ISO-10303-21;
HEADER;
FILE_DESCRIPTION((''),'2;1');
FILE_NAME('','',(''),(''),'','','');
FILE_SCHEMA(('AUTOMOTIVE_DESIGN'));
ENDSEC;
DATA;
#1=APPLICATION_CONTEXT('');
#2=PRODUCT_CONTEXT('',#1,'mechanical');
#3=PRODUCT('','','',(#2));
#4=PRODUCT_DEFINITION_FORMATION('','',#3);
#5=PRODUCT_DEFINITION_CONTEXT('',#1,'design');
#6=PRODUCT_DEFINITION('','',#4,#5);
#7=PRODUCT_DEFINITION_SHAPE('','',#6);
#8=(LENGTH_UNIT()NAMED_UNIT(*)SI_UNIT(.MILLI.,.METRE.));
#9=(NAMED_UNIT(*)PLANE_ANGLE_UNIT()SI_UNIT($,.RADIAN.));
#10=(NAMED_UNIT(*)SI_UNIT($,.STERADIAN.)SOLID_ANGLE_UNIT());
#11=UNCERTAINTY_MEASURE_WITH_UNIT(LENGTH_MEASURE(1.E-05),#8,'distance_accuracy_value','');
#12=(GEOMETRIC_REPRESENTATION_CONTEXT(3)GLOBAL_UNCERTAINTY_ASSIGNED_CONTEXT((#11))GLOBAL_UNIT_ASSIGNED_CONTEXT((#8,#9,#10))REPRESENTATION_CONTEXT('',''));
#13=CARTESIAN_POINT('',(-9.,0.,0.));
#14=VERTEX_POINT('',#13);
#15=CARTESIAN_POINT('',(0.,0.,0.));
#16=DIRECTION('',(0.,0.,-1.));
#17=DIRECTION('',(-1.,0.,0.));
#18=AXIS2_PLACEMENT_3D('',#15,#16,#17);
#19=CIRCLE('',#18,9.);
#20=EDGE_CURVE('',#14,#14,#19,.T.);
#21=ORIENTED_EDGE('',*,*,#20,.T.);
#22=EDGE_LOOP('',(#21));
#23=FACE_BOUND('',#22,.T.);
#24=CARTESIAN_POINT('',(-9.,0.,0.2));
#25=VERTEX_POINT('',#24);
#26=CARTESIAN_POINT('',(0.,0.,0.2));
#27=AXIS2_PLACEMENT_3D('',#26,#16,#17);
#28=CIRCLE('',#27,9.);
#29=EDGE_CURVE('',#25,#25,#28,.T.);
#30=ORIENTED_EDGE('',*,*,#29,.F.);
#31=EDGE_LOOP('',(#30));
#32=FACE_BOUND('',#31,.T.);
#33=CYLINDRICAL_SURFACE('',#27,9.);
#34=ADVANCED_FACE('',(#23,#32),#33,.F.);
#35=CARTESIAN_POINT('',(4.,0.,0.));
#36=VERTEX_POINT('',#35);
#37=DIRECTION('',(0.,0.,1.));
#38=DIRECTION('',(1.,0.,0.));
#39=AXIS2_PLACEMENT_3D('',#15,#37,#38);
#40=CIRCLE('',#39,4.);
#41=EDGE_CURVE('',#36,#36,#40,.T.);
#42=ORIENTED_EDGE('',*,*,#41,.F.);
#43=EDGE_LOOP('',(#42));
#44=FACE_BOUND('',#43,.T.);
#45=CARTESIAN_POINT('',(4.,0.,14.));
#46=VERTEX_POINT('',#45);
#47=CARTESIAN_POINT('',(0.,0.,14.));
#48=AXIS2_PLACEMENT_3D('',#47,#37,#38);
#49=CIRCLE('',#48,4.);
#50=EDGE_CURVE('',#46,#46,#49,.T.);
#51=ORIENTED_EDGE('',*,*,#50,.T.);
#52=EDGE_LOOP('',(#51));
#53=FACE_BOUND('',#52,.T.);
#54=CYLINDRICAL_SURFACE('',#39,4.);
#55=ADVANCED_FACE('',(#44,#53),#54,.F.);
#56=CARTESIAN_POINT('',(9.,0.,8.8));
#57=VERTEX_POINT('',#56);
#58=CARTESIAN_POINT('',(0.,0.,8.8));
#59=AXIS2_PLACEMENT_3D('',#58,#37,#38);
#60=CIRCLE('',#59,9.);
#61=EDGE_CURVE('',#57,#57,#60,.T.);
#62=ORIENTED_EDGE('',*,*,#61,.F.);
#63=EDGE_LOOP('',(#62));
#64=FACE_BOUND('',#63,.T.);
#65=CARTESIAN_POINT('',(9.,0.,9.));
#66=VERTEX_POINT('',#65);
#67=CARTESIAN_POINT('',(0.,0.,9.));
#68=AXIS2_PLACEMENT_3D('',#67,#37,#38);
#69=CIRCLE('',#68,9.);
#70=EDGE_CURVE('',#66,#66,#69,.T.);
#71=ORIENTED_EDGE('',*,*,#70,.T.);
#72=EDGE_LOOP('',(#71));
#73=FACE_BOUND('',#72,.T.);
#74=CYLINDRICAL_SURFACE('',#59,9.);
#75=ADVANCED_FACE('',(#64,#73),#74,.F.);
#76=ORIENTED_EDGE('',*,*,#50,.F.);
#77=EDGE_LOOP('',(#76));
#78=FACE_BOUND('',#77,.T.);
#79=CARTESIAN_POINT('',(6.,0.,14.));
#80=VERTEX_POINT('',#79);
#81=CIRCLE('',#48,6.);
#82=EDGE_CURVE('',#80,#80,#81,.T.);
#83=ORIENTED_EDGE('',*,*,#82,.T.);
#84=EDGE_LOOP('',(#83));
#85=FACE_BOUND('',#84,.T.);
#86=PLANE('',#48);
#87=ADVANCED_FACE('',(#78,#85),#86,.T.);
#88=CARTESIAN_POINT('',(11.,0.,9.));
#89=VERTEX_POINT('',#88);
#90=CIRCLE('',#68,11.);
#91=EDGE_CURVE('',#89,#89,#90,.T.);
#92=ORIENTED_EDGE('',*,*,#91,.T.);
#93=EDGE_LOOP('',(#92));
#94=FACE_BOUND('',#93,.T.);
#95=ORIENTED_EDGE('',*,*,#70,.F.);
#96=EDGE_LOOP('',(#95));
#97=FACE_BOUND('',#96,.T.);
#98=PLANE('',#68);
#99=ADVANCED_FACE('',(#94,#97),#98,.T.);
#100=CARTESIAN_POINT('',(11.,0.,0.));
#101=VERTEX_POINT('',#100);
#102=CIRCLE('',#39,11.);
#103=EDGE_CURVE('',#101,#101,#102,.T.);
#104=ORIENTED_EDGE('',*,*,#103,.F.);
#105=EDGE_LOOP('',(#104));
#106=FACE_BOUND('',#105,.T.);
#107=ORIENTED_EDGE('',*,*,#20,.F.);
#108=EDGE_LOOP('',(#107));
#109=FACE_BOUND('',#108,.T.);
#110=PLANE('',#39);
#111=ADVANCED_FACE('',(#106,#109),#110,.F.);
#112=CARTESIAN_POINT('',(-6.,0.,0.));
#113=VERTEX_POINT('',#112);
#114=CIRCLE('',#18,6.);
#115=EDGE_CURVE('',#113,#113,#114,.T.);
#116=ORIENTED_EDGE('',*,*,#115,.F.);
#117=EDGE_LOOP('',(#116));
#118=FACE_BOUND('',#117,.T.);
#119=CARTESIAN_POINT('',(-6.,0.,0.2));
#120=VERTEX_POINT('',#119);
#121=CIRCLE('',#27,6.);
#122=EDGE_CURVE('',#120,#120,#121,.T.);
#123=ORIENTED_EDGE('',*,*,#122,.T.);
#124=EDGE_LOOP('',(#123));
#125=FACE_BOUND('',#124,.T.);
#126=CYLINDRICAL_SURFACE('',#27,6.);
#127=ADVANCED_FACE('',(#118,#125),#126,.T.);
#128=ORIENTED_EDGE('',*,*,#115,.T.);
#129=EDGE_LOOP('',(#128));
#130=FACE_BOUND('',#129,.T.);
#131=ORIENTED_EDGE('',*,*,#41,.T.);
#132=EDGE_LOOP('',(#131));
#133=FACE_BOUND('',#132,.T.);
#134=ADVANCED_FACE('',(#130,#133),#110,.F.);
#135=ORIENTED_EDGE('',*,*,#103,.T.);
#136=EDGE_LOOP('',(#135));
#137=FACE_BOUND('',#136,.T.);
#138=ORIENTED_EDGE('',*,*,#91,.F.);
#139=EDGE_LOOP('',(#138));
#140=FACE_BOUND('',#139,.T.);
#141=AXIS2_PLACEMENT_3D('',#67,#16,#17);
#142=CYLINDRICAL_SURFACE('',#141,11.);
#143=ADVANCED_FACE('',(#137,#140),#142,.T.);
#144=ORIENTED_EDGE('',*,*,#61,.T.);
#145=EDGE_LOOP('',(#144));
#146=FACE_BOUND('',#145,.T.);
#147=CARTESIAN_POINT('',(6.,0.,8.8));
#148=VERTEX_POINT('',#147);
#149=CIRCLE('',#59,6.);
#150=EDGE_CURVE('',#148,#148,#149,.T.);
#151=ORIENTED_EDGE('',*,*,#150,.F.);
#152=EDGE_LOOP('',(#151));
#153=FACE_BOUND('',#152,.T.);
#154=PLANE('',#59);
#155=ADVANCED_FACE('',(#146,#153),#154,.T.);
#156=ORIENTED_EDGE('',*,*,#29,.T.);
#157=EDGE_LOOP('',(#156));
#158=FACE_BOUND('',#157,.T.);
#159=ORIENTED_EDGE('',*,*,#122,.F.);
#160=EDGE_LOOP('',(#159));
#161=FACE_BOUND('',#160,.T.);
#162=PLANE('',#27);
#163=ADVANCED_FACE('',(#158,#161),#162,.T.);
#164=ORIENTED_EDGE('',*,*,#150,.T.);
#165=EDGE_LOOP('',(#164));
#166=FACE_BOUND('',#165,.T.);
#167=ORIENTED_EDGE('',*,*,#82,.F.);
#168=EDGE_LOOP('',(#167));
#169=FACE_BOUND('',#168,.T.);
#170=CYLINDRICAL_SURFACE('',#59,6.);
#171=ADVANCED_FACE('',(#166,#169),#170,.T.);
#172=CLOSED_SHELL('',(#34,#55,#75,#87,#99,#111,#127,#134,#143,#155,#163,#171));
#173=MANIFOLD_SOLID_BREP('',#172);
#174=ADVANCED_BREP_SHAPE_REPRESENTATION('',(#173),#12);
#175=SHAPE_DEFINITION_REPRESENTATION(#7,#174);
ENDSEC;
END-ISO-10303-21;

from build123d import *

# Parameters (mm, degrees)
SKETCH1_R           = 11
BOSS_EXTRUDE1_DEPTH = 9
SKETCH2_R           = 4
CUT_EXTRUDE1_DEPTH  = 10
SKETCH3_R           = 9
SKETCH3_R_2         = 6
CUT_EXTRUDE2_DEPTH  = 0.2
SKETCH4_R           = 9
SKETCH4_R_2         = 6
CUT_EXTRUDE3_DEPTH  = 0.2
SKETCH5_R           = 6
SKETCH5_R_2         = 4
BOSS_EXTRUDE2_DEPTH = 5


with BuildPart() as part:
    # Sketch1 → Boss-Extrude1 (new body)
    with BuildSketch(Plane.XY):
        Circle(SKETCH1_R)
    extrude(amount=BOSS_EXTRUDE1_DEPTH)

    # Sketch2 → Cut-Extrude1 (cut, through all)
    with BuildSketch(Plane.XY.offset(9)):
        Circle(SKETCH2_R)
    extrude(amount=-CUT_EXTRUDE1_DEPTH, mode=Mode.SUBTRACT)

    # Sketch3 → Cut-Extrude2 (cut)
    with BuildSketch(Plane.XY.offset(9)):
        Circle(SKETCH3_R)
        Circle(SKETCH3_R_2, mode=Mode.SUBTRACT)
    extrude(amount=-CUT_EXTRUDE2_DEPTH, mode=Mode.SUBTRACT)

    # Sketch4 → Cut-Extrude3 (cut)
    with BuildSketch(Plane(origin=(0, 0, 0), x_dir=(-1, 0, 0), z_dir=(0, 0, -1))):
        Circle(SKETCH4_R)
        Circle(SKETCH4_R_2, mode=Mode.SUBTRACT)
    extrude(amount=-CUT_EXTRUDE3_DEPTH, mode=Mode.SUBTRACT)

    # Sketch5 → Boss-Extrude2 (add)
    with BuildSketch(Plane.XY.offset(9)):
        Circle(SKETCH5_R)
        Circle(SKETCH5_R_2, mode=Mode.SUBTRACT)
    extrude(amount=BOSS_EXTRUDE2_DEPTH)


solid = part.part
